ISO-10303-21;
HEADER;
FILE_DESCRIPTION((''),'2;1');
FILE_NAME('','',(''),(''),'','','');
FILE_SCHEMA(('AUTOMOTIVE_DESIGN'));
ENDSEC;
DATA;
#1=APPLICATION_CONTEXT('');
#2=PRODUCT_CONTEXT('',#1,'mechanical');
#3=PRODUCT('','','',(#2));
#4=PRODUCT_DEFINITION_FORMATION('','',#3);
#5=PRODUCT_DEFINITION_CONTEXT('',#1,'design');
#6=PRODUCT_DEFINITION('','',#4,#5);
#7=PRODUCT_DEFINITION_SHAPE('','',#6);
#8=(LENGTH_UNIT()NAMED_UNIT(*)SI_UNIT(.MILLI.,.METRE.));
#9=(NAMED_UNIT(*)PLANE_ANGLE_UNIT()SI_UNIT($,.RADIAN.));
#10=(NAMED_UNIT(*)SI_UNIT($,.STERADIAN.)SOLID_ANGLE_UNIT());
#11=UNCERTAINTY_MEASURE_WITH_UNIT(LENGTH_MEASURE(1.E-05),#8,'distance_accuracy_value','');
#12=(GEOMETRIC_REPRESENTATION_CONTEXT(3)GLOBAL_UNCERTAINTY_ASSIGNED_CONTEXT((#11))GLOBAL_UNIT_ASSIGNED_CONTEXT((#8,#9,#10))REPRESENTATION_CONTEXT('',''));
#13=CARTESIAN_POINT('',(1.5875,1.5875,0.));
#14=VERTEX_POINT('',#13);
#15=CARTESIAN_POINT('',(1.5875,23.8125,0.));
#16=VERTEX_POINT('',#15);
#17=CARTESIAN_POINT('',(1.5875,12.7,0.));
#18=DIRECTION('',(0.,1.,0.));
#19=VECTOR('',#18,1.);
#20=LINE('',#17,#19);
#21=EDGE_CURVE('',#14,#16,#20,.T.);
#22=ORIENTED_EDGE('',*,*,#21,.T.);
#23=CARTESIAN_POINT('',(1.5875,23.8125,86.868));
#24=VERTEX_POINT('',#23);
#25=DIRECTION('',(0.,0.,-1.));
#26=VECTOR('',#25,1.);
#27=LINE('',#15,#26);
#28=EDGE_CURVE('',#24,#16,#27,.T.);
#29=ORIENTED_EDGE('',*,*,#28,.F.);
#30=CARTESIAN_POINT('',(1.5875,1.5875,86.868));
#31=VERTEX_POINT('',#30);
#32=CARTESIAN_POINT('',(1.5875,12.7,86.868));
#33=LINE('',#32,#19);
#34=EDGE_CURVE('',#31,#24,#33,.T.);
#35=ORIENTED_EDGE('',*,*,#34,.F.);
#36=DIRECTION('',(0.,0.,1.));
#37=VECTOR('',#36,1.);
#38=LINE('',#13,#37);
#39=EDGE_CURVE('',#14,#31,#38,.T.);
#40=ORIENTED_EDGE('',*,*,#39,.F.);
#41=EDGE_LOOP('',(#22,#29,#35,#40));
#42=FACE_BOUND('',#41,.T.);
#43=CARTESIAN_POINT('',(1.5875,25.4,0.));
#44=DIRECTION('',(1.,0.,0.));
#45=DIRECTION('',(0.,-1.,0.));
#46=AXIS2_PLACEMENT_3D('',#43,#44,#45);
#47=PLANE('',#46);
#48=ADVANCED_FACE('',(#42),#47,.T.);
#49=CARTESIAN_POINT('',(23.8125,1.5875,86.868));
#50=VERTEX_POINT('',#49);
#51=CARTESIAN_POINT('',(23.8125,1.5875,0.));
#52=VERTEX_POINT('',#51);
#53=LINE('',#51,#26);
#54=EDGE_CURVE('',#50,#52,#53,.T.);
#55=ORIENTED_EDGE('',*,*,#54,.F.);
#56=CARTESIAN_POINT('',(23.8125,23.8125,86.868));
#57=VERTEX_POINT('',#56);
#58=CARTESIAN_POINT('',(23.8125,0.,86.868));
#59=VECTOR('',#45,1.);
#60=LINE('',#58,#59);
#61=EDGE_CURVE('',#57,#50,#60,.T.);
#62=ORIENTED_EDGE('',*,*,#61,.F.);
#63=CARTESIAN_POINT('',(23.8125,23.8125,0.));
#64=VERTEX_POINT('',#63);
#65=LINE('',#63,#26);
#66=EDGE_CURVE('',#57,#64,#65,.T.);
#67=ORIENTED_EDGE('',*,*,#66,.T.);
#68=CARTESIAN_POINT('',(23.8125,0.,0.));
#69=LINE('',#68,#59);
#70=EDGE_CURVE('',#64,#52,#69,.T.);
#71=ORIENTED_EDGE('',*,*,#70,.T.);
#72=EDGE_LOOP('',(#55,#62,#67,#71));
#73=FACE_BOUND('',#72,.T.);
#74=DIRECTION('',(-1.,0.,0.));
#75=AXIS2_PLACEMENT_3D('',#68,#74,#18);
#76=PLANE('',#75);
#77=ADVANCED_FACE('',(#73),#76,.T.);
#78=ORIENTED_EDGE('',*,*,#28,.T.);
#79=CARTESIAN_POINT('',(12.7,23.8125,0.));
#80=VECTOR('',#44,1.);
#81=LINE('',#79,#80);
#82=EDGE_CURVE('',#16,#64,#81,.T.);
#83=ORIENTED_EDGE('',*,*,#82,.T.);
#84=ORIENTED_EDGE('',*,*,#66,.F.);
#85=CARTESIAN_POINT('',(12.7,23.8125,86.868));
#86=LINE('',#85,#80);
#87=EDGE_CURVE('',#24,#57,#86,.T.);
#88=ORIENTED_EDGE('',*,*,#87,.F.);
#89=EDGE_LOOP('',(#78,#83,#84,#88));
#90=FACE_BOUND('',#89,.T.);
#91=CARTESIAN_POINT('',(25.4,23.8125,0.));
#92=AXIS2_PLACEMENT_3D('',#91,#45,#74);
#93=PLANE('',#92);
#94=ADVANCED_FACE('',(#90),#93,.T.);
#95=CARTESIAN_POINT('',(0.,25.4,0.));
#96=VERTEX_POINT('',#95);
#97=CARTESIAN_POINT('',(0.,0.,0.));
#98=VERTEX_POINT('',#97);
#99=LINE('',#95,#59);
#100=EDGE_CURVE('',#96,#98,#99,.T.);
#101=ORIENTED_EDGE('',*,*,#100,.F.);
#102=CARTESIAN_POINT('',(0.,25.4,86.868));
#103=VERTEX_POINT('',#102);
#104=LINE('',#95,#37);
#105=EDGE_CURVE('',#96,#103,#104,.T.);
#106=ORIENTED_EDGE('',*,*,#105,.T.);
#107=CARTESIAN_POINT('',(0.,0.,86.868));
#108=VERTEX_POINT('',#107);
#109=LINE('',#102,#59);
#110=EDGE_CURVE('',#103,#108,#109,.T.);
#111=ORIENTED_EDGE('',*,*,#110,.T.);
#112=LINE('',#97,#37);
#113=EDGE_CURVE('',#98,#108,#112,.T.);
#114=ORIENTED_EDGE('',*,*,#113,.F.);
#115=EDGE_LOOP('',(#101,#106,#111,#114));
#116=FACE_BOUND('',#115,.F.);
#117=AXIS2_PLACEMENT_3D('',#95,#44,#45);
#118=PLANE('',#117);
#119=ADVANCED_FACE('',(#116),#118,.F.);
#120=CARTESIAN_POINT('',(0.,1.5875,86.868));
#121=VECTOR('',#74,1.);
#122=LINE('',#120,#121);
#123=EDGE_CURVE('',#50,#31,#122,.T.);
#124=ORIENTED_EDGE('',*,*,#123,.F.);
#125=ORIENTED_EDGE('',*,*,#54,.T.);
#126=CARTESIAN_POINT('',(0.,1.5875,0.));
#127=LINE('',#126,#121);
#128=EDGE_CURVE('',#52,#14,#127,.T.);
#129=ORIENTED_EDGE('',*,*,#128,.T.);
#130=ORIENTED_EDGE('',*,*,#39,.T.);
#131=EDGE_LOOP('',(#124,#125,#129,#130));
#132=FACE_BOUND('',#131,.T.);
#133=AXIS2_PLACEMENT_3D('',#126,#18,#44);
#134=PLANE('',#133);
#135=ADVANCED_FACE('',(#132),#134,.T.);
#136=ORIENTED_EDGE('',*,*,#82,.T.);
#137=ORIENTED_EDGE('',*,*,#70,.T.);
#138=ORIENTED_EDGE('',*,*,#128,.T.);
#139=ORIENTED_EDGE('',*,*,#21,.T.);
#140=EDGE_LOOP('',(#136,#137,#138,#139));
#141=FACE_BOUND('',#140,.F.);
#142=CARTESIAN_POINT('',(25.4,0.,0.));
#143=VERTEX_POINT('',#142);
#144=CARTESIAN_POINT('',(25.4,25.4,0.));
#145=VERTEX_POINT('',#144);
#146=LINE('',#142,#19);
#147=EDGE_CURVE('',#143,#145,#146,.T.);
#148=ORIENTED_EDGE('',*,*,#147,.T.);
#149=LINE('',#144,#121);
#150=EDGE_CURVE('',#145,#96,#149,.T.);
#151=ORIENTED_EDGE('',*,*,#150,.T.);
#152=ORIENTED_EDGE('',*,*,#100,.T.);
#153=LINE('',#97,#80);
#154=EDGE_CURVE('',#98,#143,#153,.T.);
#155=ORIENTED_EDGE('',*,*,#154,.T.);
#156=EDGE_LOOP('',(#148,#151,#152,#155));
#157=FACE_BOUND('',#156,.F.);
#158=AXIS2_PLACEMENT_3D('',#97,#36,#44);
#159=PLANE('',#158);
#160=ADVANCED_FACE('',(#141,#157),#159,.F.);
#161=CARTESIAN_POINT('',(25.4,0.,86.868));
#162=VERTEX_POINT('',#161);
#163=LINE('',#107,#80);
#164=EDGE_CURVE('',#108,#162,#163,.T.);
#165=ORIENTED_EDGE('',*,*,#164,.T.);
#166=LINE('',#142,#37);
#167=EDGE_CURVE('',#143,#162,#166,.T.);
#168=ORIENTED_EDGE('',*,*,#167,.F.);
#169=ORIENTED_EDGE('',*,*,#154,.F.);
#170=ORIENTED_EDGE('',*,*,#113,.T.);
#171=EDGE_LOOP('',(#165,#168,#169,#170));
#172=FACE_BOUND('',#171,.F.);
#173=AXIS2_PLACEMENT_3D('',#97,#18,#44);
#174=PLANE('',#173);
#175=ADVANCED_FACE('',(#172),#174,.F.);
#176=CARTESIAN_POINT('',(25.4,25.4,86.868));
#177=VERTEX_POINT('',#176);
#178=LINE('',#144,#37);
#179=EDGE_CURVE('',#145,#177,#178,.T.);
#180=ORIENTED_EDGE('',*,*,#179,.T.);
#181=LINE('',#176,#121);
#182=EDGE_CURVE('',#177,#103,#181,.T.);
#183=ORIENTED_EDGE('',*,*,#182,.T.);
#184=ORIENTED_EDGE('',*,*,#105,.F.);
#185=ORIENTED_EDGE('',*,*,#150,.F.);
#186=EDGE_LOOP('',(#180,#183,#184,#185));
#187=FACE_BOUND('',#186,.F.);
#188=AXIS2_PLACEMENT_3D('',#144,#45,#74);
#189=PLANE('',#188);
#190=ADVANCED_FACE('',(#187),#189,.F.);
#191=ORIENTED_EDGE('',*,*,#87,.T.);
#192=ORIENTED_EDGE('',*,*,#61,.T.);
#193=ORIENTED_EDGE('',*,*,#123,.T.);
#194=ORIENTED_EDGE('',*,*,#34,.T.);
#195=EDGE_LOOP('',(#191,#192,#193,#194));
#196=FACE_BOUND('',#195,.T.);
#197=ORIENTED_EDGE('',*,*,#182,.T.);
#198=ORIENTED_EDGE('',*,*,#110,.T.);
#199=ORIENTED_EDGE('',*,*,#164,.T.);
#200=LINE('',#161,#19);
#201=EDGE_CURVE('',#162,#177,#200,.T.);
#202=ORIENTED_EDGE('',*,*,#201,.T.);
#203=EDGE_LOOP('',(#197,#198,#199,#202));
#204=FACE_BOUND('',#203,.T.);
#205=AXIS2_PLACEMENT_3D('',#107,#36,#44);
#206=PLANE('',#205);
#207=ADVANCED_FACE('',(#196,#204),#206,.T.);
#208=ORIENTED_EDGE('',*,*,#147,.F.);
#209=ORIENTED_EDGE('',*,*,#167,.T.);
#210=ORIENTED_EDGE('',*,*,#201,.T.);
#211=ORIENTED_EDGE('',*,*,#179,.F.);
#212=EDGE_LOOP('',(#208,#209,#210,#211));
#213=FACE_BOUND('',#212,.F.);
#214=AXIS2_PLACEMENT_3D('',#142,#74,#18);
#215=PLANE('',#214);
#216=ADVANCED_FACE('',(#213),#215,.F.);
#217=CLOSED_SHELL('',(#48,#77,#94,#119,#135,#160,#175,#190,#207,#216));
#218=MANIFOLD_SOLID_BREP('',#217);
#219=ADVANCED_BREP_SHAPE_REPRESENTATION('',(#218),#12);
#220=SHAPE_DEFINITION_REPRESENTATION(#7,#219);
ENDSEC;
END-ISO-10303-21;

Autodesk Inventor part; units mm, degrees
ref_plane "YZ Plane" through (0, 0, 0) normal (1, 0, 0) x (0, 1, 0)
ref_plane "XZ Plane" through (0, 0, 0) normal (0, 1, 0) x (-1, 0, 0)
ref_plane "XY Plane" through (0, 0, 0) normal (0, 0, 1) x (1, 0, 0)
sketch "Sketch1" plane through (0, 0, 0) normal (0, 0, 1) x (1, 0, 0)
  line L0 (0, 0) -> (25.4, 0)
  line L1 (25.4, 0) -> (25.4, 25.4)
  line L2 (25.4, 25.4) -> (0, 25.4)
  line L3 (0, 25.4) -> (0, 0)
  dimension "d0" = 25.4
  dimension "d1" = 25.4
extrude "Extrusion1" add sketch "Sketch1" along normal blind 86.868
shell "Shell2" thickness 1.5875 removed faces 2 at (8.4667, 16.9333, 0) at (8.4667, 16.9333, 86.868)
properties part number "Frame_FrontVerticalSupport_forFrontCrossbar" material "Aluminum-6061"
